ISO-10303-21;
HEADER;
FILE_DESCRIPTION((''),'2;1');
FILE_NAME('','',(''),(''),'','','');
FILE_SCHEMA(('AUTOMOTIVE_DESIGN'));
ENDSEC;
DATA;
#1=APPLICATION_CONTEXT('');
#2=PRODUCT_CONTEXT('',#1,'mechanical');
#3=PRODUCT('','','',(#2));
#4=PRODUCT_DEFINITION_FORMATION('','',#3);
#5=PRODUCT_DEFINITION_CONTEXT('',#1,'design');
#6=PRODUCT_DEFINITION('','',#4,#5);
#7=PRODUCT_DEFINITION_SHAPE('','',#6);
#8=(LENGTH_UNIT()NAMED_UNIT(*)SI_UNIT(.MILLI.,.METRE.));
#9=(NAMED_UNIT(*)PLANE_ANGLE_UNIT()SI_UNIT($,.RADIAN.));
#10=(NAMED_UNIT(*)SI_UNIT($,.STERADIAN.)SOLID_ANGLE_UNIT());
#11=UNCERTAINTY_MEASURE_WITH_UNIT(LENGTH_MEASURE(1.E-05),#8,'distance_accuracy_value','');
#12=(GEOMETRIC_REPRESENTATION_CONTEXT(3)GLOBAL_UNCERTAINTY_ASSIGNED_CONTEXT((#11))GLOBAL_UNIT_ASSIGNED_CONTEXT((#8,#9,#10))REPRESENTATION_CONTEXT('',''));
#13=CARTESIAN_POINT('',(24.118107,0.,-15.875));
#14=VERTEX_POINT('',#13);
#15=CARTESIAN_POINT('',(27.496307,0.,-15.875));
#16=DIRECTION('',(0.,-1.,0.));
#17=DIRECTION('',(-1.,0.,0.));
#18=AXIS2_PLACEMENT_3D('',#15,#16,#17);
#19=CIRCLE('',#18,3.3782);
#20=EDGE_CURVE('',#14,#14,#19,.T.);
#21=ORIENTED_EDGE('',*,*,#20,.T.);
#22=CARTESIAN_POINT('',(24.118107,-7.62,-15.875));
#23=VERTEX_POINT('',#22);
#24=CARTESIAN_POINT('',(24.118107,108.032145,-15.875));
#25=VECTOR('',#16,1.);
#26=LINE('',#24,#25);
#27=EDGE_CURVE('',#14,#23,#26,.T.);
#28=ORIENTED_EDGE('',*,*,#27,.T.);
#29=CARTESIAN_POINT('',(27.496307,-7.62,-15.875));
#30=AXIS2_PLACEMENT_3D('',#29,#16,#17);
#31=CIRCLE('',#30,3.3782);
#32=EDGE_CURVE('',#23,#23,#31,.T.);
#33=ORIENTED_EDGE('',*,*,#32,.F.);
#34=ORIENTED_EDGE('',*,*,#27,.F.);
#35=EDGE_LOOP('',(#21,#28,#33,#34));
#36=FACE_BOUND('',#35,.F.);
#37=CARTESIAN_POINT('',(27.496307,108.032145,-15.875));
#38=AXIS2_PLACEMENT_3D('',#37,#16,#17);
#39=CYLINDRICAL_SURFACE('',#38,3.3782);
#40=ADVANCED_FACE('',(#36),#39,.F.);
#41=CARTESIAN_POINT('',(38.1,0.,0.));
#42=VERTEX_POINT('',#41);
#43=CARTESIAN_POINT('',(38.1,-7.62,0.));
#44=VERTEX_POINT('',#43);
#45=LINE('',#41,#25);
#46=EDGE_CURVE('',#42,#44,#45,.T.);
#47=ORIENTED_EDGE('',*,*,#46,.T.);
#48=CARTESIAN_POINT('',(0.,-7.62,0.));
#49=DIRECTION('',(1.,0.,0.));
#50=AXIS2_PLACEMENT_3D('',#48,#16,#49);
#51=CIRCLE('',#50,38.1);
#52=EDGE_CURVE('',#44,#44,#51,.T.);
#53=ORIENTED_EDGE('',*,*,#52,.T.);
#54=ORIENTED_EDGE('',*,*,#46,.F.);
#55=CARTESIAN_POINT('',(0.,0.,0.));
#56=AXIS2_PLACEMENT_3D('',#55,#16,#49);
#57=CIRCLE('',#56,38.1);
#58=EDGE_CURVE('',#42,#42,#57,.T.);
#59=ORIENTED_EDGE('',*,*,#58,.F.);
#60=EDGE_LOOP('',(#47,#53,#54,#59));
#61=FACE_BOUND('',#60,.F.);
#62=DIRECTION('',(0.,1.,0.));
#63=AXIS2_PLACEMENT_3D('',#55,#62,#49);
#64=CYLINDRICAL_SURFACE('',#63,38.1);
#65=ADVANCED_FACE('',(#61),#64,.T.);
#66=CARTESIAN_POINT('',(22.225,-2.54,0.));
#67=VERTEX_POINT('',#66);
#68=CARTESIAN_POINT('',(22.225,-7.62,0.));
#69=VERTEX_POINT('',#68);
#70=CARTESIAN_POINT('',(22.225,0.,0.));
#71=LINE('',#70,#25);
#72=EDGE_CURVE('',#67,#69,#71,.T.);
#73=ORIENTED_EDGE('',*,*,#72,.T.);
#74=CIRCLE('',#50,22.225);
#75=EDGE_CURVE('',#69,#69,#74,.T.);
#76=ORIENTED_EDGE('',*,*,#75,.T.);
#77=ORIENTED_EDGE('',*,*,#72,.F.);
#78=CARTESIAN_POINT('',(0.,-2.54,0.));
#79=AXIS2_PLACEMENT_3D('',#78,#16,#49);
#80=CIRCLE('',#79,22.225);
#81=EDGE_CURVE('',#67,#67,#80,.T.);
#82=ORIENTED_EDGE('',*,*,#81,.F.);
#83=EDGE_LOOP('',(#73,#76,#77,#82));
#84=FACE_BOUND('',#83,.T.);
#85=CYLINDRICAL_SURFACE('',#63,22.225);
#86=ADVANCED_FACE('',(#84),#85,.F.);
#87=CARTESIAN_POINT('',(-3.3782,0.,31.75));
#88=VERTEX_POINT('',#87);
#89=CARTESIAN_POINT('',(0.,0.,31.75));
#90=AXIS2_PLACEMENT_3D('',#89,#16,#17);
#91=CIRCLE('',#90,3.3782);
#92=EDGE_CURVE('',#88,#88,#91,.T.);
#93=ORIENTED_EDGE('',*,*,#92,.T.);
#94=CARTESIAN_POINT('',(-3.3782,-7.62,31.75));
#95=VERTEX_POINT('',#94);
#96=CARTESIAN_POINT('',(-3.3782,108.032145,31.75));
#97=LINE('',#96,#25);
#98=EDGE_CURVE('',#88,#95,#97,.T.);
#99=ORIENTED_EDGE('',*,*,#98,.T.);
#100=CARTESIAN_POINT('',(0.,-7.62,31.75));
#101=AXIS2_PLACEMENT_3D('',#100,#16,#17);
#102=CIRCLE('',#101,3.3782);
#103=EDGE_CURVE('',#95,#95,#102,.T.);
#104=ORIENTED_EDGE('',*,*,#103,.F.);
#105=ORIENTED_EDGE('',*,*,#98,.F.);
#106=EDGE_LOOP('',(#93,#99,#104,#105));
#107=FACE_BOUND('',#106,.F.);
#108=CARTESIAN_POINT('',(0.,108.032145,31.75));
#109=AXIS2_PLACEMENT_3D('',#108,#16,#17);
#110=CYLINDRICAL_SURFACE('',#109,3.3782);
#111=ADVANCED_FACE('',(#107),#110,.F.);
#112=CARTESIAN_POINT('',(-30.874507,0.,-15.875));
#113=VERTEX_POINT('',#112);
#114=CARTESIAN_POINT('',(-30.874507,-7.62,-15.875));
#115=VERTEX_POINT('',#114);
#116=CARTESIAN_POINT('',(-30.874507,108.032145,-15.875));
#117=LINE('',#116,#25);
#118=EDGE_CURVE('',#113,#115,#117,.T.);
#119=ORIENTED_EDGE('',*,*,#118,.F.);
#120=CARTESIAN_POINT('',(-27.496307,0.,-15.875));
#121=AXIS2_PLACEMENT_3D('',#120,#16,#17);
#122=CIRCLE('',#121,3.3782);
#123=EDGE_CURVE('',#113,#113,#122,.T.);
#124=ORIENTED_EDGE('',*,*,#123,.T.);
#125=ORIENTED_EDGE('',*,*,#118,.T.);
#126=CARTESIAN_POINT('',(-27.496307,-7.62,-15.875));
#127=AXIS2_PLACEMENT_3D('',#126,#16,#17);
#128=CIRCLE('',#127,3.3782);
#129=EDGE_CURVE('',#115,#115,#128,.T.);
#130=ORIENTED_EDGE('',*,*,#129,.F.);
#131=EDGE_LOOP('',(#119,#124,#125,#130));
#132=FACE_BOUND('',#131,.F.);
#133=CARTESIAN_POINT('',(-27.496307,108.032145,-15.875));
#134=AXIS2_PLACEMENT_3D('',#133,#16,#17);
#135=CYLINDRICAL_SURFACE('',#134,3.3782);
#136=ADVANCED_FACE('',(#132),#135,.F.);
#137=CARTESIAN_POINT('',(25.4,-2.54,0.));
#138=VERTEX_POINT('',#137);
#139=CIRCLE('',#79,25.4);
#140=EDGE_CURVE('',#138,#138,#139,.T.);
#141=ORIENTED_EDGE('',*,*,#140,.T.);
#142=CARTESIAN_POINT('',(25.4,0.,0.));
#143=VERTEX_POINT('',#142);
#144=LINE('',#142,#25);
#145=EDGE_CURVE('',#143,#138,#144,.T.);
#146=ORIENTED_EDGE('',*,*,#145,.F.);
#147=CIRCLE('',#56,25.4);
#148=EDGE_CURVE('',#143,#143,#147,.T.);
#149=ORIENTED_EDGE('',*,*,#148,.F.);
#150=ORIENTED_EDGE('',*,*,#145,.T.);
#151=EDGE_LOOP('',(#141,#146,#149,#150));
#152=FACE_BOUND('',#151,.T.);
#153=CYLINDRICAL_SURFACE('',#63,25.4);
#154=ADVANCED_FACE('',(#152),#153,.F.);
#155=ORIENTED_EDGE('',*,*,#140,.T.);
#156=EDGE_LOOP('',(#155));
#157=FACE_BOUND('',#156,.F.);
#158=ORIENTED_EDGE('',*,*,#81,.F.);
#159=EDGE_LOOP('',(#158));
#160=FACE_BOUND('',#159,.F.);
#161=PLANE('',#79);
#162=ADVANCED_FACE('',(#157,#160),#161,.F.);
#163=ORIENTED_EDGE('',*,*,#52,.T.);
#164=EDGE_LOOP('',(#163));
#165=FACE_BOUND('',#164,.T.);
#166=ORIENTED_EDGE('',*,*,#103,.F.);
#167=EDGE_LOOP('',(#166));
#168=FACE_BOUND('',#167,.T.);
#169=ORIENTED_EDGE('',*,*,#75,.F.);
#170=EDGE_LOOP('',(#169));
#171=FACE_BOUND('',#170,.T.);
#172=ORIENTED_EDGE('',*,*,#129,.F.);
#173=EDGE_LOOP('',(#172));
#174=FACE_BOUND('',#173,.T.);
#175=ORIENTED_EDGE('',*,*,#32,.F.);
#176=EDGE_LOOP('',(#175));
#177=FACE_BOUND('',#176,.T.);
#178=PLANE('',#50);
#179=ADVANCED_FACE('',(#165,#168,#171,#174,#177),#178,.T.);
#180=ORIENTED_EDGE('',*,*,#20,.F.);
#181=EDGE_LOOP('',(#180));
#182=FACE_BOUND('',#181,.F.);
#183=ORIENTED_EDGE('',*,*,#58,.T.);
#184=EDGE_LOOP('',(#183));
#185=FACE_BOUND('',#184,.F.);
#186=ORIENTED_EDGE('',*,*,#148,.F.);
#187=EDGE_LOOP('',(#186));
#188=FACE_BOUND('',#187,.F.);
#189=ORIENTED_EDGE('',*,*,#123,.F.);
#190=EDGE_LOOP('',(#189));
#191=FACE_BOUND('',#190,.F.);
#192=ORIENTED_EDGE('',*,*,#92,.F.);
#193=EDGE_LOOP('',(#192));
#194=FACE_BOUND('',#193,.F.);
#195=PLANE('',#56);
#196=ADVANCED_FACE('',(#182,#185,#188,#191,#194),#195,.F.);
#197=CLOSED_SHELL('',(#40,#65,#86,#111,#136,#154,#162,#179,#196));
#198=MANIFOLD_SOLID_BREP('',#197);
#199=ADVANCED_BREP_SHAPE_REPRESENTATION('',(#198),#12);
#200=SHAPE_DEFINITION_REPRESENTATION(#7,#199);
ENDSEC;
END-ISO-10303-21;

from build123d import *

# Parameters (mm, degrees)
F0_R     = 38.1
F0_R_2   = 25.4
F0_R_3   = 22.225
F1_DEPTH = 7.62
F2_DEPTH = 2.54
F3_D     = 6.7564


with BuildPart() as f1:
    # F0 (on Front) → F1 (new body)
    with BuildSketch(Plane.XZ):
        Circle(F0_R)
        with BuildLine():
            ThreePointArc((2.1860537536, 31.6746534154), (23.2106624925, 21.6639711655), (31.75, 0))
            ThreePointArc((31.75, 0), (30.9330089399, -7.15621813), (28.5240813906, -13.944148623))
            ThreePointArc((28.5240813906, -13.944148623), (29.3714883317, -14.7488554788), (29.6836584215, -15.875))
            ThreePointArc((29.6836584215, -15.875), (28.5571893518, -17.7878606445), (26.338027637, -17.7305047924))
            ThreePointArc((26.338027637, -17.7305047924), (0, -31.75), (-26.338027637, -17.7305047924))
            ThreePointArc((-26.338027637, -17.7305047924), (-29.3906088404, -16.9686759257), (-28.5240813906, -13.944148623))
            ThreePointArc((-28.5240813906, -13.944148623), (-27.4963065702, 15.875), (-2.1860537536, 31.6746534154))
            ThreePointArc((-2.1860537536, 31.6746534154), (-0.0376788829, 33.9370273028), (2.1873518513, 31.75))
            ThreePointArc((2.1873518513, 31.75), (2.1870273028, 31.7123211171), (2.1860537536, 31.6746534154))
        make_face(mode=Mode.SUBTRACT)
        with BuildLine():
            ThreePointArc((28.5240813906, -13.944148623), (30.9330089399, -7.15621813), (31.75, 0))
            ThreePointArc((31.75, 0), (23.2106624925, 21.6639711655), (2.1860537536, 31.6746534154))
            ThreePointArc((2.1860537536, 31.6746534154), (0, 29.5626481487), (-2.1860537536, 31.6746534154))
            ThreePointArc((-2.1860537536, 31.6746534154), (-27.4963065702, 15.875), (-28.5240813906, -13.944148623))
            ThreePointArc((-28.5240813906, -13.944148623), (-26.370162049, -13.9998182384), (-25.3089547188, -15.875))
            ThreePointArc((-25.3089547188, -15.875), (-25.5834459257, -16.9358827816), (-26.338027637, -17.7305047924))
            ThreePointArc((-26.338027637, -17.7305047924), (0, -31.75), (26.338027637, -17.7305047924))
            ThreePointArc((26.338027637, -17.7305047924), (25.6020042999, -14.7813240743), (28.5240813906, -13.944148623))
        make_face()
        Circle(F0_R_2, mode=Mode.SUBTRACT)
        Circle(F0_R_2)
        Circle(F0_R_3, mode=Mode.SUBTRACT)
        with BuildLine():
            ThreePointArc((-2.1860537536, 31.6746534154), (0, 31.75), (2.1860537536, 31.6746534154))
            ThreePointArc((2.1860537536, 31.6746534154), (2.1870273028, 31.7123211171), (2.1873518513, 31.75))
            ThreePointArc((2.1873518513, 31.75), (-0.0376788829, 33.9370273028), (-2.1860537536, 31.6746534154))
        make_face()
        with BuildLine():
            ThreePointArc((-2.1860537536, 31.6746534154), (0, 29.5626481487), (2.1860537536, 31.6746534154))
            ThreePointArc((2.1860537536, 31.6746534154), (0, 31.75), (-2.1860537536, 31.6746534154))
        make_face()
        with BuildLine():
            ThreePointArc((-26.338027637, -17.7305047924), (-27.4963065702, -15.875), (-28.5240813906, -13.944148623))
            ThreePointArc((-28.5240813906, -13.944148623), (-29.3906088404, -16.9686759257), (-26.338027637, -17.7305047924))
        make_face()
        with BuildLine():
            ThreePointArc((-25.3089547188, -15.875), (-26.370162049, -13.9998182384), (-28.5240813906, -13.944148623))
            ThreePointArc((-28.5240813906, -13.944148623), (-27.4963065702, -15.875), (-26.338027637, -17.7305047924))
            ThreePointArc((-26.338027637, -17.7305047924), (-25.5834459257, -16.9358827816), (-25.3089547188, -15.875))
        make_face()
        with BuildLine():
            ThreePointArc((29.6836584215, -15.875), (29.3714883317, -14.7488554788), (28.5240813906, -13.944148623))
            ThreePointArc((28.5240813906, -13.944148623), (27.4963065702, -15.875), (26.338027637, -17.7305047924))
            ThreePointArc((26.338027637, -17.7305047924), (28.5571893518, -17.7878606445), (29.6836584215, -15.875))
        make_face()
        with BuildLine():
            ThreePointArc((26.338027637, -17.7305047924), (27.4963065702, -15.875), (28.5240813906, -13.944148623))
            ThreePointArc((28.5240813906, -13.944148623), (25.6020042999, -14.7813240743), (26.338027637, -17.7305047924))
        make_face()
    extrude(amount=F1_DEPTH)

    # F0 (on Front) → F2 (cut)
    with BuildSketch(Plane.XZ):
        Circle(F0_R_2)
        Circle(F0_R_3, mode=Mode.SUBTRACT)
    extrude(amount=F2_DEPTH, mode=Mode.SUBTRACT)

    # F3 (through all)
    with Locations(Plane(origin=(0, 0, 0), x_dir=(1, 0, 0), z_dir=(0, 1, 0))):
        with Locations((27.4963065702, 15.875), (-27.4963065702, 15.875), (0, -31.75)):
            Hole(F3_D / 2)


solid = f1.part
